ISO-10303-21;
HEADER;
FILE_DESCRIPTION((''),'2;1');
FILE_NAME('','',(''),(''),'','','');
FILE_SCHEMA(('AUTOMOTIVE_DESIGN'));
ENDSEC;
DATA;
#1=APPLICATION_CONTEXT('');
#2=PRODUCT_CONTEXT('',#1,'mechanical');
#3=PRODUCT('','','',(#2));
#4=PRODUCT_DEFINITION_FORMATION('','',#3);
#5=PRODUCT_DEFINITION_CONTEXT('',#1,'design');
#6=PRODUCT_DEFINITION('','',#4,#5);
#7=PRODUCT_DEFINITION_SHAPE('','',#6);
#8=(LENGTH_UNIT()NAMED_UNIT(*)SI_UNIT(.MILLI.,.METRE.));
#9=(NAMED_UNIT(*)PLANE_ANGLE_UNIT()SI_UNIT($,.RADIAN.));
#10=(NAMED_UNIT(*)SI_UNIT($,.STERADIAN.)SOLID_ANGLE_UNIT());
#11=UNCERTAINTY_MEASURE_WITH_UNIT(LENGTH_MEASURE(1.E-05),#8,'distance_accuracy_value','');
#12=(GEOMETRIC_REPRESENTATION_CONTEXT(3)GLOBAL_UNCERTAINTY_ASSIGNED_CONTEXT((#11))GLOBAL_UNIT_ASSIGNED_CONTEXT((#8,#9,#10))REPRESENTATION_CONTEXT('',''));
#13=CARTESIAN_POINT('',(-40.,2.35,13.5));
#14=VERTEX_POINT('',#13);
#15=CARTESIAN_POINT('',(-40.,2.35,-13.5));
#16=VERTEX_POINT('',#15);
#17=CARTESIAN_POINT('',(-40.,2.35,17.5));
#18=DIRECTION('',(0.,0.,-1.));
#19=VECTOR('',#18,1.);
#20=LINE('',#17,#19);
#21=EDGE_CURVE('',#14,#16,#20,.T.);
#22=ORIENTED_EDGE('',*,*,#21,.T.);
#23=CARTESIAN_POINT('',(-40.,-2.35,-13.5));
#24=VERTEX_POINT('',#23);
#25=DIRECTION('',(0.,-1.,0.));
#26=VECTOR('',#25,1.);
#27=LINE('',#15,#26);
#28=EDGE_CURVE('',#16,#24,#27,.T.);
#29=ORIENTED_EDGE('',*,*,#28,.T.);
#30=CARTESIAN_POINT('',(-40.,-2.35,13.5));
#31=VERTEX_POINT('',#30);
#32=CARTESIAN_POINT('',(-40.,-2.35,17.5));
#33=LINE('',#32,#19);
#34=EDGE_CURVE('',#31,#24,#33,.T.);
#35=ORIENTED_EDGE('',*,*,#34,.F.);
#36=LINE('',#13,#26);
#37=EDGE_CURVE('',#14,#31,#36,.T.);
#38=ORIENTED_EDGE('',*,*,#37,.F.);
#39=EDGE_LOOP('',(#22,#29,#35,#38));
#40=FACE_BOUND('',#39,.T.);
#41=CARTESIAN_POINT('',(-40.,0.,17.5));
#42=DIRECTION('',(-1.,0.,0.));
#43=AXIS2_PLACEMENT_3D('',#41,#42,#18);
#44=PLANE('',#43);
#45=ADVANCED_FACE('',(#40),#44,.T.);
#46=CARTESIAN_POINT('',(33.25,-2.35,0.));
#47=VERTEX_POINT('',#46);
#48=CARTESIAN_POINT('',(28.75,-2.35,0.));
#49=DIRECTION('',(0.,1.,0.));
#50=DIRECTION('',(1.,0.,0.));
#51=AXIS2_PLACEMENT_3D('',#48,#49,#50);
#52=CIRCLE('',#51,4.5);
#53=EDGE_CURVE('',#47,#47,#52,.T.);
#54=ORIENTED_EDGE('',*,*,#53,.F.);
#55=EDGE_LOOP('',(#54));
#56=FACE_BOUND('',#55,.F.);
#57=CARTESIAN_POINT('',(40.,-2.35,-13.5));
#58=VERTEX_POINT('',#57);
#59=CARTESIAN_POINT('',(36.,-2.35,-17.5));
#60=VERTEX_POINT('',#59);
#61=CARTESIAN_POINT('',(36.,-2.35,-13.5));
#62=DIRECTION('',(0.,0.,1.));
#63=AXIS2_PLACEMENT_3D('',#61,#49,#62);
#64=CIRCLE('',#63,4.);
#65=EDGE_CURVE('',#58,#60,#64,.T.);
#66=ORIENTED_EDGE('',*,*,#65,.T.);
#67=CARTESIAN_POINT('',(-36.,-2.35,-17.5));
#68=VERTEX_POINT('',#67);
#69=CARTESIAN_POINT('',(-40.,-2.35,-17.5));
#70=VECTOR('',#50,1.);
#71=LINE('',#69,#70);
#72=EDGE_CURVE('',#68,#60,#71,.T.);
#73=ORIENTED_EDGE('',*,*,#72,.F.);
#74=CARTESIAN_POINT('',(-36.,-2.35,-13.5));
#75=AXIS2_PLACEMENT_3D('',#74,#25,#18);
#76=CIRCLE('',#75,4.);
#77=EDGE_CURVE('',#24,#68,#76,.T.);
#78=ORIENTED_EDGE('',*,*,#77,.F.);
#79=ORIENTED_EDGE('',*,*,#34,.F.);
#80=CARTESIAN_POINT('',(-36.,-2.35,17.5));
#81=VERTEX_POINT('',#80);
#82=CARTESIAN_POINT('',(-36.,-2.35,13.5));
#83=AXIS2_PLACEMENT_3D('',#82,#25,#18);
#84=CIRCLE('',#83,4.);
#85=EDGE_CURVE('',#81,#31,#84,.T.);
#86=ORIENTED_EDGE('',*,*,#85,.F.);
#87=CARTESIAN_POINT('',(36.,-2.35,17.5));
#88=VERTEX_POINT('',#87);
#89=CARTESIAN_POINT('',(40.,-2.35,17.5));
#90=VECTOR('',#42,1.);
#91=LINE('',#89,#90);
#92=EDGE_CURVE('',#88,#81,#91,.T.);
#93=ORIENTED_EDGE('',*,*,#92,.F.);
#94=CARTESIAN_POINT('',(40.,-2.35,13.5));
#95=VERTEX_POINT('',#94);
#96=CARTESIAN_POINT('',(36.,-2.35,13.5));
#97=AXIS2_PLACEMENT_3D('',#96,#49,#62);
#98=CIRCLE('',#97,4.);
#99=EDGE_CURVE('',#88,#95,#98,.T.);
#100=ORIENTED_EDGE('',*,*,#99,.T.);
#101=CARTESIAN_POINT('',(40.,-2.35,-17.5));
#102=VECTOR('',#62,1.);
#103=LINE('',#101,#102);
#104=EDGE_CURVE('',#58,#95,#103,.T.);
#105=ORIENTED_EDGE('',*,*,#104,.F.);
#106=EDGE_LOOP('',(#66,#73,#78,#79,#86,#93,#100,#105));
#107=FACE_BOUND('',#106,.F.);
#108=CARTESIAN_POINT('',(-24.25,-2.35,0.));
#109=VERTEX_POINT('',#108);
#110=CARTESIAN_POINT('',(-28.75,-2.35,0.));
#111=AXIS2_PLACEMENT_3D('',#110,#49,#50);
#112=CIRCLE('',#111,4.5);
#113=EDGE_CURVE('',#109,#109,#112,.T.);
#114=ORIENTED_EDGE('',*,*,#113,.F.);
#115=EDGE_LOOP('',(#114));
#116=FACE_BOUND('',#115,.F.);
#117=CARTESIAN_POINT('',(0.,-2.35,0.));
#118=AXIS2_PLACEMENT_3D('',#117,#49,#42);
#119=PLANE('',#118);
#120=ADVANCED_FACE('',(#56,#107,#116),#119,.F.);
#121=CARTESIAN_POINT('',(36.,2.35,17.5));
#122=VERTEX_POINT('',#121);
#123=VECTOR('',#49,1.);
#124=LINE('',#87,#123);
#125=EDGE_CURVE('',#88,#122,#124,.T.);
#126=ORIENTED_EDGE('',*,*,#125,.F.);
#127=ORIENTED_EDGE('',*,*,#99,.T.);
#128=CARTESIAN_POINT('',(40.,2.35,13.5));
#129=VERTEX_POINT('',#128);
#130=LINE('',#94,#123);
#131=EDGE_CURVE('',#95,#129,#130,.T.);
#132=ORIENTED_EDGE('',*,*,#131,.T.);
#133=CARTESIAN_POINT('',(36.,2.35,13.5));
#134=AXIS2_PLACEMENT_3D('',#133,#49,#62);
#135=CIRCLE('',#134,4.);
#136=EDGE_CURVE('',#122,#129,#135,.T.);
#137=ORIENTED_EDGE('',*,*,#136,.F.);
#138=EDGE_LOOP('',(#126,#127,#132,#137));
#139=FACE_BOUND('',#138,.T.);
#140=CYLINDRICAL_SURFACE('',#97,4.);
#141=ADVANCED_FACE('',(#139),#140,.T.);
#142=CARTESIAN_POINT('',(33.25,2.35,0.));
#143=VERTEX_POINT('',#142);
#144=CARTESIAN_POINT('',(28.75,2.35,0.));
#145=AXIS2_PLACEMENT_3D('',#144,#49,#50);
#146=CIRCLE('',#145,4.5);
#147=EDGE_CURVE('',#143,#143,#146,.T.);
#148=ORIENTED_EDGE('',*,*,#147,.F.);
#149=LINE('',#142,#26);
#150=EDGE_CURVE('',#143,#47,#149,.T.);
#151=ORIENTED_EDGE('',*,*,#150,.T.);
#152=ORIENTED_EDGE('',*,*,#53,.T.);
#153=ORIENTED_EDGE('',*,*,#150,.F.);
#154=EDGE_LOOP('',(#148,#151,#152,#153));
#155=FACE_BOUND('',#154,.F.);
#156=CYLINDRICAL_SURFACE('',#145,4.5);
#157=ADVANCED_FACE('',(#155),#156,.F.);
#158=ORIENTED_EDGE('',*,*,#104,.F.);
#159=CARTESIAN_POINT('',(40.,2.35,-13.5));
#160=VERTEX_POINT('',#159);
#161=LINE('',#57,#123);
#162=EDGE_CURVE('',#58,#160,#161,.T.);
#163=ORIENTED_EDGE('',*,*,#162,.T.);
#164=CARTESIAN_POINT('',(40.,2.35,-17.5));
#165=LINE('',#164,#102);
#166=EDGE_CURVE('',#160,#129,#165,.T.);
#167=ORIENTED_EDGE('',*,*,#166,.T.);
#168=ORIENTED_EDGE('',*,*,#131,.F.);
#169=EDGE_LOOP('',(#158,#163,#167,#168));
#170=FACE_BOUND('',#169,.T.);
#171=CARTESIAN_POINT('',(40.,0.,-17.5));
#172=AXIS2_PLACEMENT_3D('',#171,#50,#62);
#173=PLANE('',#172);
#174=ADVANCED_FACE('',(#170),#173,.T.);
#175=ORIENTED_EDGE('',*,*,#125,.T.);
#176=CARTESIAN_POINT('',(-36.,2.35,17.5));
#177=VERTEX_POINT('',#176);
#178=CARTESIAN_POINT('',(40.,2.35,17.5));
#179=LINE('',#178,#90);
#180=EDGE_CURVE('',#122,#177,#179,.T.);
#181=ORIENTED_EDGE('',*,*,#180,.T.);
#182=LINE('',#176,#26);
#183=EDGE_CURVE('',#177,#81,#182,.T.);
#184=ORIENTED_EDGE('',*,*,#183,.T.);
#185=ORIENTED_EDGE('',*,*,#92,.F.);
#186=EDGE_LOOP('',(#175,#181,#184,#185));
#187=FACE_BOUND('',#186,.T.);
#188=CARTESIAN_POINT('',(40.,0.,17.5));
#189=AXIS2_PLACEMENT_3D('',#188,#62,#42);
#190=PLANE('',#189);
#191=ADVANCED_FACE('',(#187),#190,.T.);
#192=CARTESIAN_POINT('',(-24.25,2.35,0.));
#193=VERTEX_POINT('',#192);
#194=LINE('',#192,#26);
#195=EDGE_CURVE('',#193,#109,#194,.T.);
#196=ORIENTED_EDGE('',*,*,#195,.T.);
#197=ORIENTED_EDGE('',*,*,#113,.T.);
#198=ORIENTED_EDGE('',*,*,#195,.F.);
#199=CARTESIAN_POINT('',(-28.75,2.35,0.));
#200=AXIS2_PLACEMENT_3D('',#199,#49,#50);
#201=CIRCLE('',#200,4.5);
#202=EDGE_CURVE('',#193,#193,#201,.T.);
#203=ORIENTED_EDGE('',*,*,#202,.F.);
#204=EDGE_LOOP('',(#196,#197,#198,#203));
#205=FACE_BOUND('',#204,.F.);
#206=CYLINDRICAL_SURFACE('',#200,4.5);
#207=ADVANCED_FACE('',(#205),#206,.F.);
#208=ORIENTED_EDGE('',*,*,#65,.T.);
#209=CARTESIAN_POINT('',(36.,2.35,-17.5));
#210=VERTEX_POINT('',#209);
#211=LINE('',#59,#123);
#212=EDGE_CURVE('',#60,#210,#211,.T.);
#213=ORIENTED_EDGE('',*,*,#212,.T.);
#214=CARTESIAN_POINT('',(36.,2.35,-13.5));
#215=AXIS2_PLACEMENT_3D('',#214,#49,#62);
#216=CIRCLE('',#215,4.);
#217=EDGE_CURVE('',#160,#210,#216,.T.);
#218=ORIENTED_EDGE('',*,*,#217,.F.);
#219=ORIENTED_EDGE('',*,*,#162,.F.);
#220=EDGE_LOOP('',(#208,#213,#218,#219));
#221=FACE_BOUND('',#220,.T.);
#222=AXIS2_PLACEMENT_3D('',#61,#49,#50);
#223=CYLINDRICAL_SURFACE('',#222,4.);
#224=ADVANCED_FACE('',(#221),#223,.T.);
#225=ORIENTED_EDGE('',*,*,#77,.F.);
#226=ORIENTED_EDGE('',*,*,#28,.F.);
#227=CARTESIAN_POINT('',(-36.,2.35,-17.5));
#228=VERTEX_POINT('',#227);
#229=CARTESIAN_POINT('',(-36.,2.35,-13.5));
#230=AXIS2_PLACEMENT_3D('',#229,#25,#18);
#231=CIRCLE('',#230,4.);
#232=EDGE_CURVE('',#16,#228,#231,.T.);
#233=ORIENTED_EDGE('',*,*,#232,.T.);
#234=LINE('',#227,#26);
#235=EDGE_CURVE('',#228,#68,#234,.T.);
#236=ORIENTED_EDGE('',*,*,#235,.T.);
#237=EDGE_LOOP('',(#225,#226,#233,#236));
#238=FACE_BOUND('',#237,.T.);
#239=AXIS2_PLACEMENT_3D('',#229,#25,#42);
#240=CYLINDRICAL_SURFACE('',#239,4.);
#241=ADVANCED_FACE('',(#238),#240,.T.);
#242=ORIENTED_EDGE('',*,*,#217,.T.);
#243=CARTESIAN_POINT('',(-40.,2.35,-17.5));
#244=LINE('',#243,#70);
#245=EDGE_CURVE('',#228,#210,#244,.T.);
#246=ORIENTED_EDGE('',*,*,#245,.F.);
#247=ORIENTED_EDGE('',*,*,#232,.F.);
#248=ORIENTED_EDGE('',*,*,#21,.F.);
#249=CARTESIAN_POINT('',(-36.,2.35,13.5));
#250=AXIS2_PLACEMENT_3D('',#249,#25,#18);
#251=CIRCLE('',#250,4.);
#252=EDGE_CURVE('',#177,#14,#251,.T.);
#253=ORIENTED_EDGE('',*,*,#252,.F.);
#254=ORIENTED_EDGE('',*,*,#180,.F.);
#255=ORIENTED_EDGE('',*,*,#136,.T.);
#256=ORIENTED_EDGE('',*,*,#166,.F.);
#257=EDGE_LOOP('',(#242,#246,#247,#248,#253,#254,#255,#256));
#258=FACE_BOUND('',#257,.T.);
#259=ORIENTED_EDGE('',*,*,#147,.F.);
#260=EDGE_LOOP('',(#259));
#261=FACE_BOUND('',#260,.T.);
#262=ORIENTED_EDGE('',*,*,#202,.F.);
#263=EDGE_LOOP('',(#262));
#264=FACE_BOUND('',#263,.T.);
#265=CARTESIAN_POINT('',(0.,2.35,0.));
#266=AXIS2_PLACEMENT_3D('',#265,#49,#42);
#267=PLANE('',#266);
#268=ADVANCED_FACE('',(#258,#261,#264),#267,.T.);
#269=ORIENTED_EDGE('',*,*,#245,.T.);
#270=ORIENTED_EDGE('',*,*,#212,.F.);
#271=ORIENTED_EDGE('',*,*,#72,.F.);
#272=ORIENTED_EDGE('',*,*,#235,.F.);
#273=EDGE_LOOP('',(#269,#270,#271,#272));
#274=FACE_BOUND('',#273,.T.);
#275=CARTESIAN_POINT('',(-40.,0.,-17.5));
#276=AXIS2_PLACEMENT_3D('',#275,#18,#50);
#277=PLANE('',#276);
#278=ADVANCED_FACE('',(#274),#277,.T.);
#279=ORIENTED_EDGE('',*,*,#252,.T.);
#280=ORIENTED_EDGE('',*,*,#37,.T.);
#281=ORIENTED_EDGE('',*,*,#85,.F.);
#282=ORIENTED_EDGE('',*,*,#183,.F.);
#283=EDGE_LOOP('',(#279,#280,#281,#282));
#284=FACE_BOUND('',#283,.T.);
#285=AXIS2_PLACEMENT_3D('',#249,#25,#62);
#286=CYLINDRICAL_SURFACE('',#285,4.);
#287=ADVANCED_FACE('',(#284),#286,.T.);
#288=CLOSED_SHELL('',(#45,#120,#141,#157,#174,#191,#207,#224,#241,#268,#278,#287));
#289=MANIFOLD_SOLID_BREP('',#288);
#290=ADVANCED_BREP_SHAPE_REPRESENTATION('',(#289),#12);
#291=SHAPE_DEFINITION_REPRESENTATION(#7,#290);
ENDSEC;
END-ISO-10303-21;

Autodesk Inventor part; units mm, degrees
ref_plane "YZ Plane" through (0, 0, 0) normal (1, 0, 0) x (0, 1, 0)
ref_plane "XZ Plane" through (0, 0, 0) normal (0, 1, 0) x (-1, 0, 0)
ref_plane "XY Plane" through (0, 0, 0) normal (0, 0, 1) x (1, 0, 0)
sketch "Sketch1" plane through (0, 0, 0) normal (0, 1, 0) x (-1, 0, 0)
  line L0 (-40, 17.5) -> (40, 17.5)
  line L1 (40, 17.5) -> (40, -17.5)
  line L2 (40, -17.5) -> (-40, -17.5)
  line L3 (-40, -17.5) -> (-40, 17.5)
  line L4 (-40, 17.5) -> (40, -17.5) construction
  line L5 (40, 17.5) -> (-40, -17.5) construction
  point P0 (0, 0)
  point P1 (0, 0)
  dimension "d10" = 80
  dimension "d11" = 35
extrude "Extrusion3" add sketch "Sketch1" along normal mid plane 4.7
sketch "Sketch3" plane through (0, 2.35, 0) normal (0, 1, 0) x (1, 0, 0)
  line L0 (-40, 17.5) -> (-40, -17.5) projected
  circle A0 centre (-28.75, 0) radius 4.5
  circle A1 centre (0, 0) radius 17.5
  line L1 (40, -17.5) -> (40, 17.5) projected
  circle A2 centre (28.75, 0) radius 4.5
  line L2 (17.5, 0) -> (17.5, -17.5)
  line L3 (-40, -17.5) -> (40, -17.5) projected
  dimension "d18" = 35
  dimension "d15" = 9
  dimension "d17" = 9
  dimension "d19" = 22.5
  dimension "d20" = 11.25
  dimension "d21" = 11.25
extrude "Extrusion4" cut sketch "Sketch3" against normal through all contours A0 | A2
fillet "Fillet1" radius 4 4 edges at (-40, 0, 17.5) (40, 0, 17.5) (40, 0, -17.5) (-40, 0, -17.5)
equation "\"d15\" = d17"
equation "\"d20\" = 0.5 * d19"
equation "\"d21\" = d20"
properties part number "SP11V1 Planchuela Baranda" material "Acero, carbono"
